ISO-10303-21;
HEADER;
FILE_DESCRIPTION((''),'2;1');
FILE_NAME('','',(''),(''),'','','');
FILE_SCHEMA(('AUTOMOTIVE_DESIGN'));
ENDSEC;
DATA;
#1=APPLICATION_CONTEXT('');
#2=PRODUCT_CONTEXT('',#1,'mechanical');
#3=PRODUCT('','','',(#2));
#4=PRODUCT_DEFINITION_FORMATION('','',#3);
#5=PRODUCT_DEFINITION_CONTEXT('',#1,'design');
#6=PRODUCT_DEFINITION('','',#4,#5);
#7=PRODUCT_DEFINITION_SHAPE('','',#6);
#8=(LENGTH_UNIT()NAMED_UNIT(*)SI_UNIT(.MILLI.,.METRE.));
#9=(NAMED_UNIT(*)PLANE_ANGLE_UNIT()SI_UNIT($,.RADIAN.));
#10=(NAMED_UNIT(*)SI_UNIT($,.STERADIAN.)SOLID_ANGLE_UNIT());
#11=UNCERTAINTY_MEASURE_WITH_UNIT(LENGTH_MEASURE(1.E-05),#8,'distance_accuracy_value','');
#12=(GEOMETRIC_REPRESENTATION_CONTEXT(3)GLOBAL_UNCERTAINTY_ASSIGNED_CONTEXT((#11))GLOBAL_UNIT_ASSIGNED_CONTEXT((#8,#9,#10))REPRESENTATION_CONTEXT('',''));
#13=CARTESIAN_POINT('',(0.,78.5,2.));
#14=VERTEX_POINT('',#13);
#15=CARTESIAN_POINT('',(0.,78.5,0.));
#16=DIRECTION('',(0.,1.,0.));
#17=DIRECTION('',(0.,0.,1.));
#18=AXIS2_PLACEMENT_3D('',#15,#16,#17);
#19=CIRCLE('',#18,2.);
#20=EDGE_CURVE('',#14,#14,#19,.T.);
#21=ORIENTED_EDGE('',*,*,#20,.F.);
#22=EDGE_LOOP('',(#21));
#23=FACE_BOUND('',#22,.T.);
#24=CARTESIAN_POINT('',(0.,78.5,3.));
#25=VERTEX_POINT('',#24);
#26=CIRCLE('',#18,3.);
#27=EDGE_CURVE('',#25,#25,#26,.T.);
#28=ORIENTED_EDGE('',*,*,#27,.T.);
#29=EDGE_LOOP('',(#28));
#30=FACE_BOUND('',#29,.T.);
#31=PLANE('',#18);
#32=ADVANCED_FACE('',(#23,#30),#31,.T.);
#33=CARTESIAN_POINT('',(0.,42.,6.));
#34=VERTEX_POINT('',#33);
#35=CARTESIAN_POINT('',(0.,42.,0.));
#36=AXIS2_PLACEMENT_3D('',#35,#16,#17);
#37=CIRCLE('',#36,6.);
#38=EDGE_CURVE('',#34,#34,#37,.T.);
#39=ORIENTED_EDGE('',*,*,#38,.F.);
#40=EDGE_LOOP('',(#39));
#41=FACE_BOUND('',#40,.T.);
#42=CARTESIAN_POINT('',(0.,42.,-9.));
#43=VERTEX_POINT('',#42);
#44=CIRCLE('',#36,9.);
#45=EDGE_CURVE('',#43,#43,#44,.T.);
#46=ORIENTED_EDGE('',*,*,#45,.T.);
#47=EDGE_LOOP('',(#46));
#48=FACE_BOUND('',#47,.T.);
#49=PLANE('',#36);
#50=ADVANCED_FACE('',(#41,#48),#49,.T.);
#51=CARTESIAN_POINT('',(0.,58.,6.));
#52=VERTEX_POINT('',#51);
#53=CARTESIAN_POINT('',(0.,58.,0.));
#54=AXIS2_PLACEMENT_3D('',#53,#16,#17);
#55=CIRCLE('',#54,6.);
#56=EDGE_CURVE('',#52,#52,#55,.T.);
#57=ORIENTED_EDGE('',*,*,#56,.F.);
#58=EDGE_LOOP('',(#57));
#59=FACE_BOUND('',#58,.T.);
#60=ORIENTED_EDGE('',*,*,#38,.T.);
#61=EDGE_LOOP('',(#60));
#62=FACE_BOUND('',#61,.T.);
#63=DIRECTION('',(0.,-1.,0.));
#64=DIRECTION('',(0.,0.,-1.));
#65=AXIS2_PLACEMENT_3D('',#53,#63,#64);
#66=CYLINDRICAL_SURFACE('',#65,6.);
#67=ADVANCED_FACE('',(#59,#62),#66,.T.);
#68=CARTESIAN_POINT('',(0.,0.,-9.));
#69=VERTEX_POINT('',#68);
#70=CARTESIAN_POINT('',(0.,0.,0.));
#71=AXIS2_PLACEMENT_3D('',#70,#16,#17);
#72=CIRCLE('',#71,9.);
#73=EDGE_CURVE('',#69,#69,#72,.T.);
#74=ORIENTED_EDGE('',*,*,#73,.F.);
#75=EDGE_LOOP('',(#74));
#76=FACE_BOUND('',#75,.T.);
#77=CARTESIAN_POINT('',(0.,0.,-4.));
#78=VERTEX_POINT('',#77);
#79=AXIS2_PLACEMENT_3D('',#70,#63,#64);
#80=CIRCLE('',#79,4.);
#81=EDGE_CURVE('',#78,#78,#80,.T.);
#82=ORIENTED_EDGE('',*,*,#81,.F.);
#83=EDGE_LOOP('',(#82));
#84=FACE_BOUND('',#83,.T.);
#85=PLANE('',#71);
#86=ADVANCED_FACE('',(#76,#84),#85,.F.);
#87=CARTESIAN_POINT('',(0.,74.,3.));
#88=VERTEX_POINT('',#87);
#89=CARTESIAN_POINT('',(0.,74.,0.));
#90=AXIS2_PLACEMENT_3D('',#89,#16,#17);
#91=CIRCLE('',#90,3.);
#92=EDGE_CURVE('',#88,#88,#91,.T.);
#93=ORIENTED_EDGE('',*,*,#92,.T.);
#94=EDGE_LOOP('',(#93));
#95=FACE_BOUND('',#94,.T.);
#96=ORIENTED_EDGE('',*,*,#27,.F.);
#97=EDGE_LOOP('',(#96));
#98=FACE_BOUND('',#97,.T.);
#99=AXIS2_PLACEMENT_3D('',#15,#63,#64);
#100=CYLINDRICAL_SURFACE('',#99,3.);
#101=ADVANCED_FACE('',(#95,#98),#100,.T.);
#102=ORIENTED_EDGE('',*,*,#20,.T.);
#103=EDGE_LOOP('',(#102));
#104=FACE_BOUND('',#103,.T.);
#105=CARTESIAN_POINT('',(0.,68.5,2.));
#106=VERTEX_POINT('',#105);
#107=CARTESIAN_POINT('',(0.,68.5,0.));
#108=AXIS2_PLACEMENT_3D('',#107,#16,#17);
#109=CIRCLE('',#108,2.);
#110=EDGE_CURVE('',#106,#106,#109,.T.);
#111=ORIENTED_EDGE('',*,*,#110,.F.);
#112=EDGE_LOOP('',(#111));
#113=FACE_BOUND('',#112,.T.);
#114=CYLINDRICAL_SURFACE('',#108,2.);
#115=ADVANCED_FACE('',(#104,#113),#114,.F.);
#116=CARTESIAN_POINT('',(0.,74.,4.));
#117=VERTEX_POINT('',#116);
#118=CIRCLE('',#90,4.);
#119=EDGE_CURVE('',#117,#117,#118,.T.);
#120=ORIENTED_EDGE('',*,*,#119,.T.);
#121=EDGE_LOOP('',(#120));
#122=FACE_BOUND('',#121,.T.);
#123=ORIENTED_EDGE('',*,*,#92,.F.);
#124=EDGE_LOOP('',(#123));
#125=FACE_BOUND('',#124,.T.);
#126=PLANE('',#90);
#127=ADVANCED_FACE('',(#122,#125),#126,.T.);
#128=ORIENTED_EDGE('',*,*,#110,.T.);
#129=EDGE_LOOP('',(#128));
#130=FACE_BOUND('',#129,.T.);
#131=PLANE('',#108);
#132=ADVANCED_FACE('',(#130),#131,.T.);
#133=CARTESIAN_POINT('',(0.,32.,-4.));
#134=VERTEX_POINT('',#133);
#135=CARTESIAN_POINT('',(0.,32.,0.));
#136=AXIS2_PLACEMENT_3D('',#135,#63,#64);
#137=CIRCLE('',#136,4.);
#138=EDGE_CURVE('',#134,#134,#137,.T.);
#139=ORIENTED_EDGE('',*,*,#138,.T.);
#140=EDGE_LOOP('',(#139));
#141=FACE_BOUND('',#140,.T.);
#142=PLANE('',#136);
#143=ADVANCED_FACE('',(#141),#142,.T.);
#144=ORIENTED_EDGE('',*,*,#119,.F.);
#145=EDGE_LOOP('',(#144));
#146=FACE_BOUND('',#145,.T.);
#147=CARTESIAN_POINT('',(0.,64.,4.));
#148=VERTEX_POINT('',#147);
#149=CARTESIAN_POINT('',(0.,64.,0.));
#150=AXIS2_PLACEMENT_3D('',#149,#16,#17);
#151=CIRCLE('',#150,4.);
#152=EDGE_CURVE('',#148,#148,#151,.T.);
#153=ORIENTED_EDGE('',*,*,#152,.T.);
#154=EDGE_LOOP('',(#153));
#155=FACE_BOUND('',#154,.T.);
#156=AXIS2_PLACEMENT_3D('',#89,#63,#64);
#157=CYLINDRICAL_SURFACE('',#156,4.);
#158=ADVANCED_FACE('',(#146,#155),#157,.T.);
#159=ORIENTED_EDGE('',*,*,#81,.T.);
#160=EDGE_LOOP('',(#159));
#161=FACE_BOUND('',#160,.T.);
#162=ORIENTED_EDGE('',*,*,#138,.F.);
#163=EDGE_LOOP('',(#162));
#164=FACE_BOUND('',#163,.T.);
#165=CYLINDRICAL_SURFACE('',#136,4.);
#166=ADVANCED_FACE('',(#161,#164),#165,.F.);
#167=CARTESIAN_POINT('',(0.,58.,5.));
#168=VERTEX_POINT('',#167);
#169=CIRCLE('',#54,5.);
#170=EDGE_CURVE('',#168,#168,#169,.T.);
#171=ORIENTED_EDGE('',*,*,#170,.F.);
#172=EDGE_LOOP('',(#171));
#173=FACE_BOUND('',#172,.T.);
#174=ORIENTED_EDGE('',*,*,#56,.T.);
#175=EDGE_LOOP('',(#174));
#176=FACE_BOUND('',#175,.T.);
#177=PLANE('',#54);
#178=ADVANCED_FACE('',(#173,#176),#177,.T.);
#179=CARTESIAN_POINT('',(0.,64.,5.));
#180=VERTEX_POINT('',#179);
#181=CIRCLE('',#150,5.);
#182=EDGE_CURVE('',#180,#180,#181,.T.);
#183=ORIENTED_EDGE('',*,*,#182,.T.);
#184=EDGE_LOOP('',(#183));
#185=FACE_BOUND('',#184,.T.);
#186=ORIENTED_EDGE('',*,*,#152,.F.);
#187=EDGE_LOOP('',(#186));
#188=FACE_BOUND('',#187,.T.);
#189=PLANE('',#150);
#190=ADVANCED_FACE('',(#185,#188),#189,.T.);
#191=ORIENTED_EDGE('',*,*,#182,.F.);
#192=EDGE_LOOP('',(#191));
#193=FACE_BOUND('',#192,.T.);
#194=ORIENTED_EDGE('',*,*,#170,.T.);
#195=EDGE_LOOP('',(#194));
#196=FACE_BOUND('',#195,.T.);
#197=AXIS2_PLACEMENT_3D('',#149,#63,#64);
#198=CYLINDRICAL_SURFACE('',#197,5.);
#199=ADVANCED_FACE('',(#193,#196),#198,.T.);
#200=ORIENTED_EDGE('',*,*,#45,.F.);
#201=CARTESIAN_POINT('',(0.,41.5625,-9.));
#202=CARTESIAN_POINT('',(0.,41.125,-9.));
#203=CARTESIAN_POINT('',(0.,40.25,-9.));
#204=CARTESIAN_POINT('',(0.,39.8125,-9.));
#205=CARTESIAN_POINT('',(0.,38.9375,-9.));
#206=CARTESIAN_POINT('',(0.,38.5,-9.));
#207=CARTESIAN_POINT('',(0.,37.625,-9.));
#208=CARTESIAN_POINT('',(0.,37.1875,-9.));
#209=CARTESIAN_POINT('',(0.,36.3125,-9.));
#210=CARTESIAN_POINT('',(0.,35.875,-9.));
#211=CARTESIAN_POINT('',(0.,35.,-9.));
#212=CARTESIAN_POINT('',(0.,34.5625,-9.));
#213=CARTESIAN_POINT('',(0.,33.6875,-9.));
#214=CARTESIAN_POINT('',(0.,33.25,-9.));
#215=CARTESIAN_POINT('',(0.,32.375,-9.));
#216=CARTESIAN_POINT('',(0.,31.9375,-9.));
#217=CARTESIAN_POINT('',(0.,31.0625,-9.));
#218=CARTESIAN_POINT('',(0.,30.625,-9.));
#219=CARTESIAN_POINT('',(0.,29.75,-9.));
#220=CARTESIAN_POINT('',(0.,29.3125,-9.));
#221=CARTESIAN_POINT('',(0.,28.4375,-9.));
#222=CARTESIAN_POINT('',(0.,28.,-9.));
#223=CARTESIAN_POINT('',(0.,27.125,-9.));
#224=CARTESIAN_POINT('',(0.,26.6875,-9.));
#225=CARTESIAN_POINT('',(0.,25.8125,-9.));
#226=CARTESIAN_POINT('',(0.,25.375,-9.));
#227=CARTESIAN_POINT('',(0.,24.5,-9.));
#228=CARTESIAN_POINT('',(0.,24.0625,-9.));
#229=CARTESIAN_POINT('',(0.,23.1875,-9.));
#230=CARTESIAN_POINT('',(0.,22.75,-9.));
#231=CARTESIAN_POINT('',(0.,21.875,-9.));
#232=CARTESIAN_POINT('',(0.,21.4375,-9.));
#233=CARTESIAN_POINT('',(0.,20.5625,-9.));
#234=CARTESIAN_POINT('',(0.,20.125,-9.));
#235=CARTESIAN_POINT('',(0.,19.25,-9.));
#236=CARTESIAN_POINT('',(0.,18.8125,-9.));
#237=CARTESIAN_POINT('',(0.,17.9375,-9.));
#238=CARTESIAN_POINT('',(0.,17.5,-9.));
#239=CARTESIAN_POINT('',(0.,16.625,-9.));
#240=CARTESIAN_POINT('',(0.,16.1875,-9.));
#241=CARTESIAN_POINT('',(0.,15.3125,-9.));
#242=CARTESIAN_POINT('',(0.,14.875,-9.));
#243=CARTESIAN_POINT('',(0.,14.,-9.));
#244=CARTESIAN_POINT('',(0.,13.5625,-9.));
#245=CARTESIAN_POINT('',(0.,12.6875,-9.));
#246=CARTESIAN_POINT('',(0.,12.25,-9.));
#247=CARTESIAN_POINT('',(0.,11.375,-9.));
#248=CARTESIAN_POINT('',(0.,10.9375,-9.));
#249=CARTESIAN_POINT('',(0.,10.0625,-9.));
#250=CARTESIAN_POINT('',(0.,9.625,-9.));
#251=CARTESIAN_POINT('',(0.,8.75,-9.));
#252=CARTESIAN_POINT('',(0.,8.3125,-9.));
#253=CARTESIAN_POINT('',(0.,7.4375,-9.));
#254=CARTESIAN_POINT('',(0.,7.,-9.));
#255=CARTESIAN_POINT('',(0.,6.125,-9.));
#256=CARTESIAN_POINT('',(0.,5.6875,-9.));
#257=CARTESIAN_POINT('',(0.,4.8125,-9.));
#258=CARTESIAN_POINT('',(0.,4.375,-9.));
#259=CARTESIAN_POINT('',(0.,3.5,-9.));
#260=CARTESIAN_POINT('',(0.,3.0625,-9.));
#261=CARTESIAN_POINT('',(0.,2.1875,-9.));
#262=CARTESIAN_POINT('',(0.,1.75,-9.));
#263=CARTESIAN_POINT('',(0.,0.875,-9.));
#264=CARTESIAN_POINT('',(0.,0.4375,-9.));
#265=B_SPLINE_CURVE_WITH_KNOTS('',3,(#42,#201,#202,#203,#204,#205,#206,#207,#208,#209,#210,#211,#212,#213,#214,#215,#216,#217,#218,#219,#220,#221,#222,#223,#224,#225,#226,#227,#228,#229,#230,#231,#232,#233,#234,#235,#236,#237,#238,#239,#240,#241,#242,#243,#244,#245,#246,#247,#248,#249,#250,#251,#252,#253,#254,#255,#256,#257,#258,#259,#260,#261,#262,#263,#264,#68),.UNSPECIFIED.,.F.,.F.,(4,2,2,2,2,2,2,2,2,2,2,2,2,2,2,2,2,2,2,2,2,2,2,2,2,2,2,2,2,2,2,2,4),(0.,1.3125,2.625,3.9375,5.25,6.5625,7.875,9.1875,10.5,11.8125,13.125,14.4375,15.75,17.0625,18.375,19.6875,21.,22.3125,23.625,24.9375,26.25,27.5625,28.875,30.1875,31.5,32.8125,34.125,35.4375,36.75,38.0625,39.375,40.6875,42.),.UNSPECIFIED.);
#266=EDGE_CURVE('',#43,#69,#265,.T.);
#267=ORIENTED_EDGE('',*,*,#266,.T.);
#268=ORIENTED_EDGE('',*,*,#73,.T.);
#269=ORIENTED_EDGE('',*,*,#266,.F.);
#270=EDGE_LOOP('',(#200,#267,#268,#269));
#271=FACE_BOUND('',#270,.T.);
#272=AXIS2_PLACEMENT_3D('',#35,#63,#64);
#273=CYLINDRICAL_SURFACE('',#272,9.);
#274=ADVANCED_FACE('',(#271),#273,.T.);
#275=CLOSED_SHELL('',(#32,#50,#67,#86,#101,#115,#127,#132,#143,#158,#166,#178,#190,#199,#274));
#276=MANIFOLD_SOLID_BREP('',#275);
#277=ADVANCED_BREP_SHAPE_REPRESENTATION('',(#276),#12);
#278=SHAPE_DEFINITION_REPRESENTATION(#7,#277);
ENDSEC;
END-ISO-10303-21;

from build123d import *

# Parameters (mm, degrees)
SKETCH1_R                 = 9
BASE_SECTION_DEPTH        = 42
SKETCH2_R                 = 6
SECOND_SECTION_DEPTH      = 16
SKETCH3_R                 = 5
BEARING_SECTION_DEPTH     = 6
SKETCH4_R                 = 4
SEAL_SECTION_DEPTH        = 10
SKETCH5_R                 = 3
IMPELLER_SECTION_DEPTH    = 4.5
SKETCH6_R                 = 2
IMPELLER_SCREW_HOLE_DEPTH = 10
SKETCH7_R                 = 4
MOTOR_SHAFT_HOLE_DEPTH    = 32


with BuildPart() as part:
    # Sketch1 → base section (new body)
    with BuildSketch(Plane(origin=(0, 0, 0), x_dir=(1, 0, 0), z_dir=(0, 1, 0))):
        with Locations(Location((0, 0, 0), (0, 0, 90))):
            Circle(SKETCH1_R)
    extrude(amount=BASE_SECTION_DEPTH)

    # Sketch2 → second section (add)
    with BuildSketch(Plane(origin=(0, 42, 0), x_dir=(1, 0, 0), z_dir=(0, 1, 0))):
        with Locations(Location((0, 0, 0), (0, 0, 270))):
            Circle(SKETCH2_R)
    extrude(amount=SECOND_SECTION_DEPTH)

    # Sketch3 → bearing section (add)
    with BuildSketch(Plane(origin=(0, 58, 0), x_dir=(1, 0, 0), z_dir=(0, 1, 0))):
        with Locations(Location((0, 0, 0), (0, 0, 270))):
            Circle(SKETCH3_R)
    extrude(amount=BEARING_SECTION_DEPTH)

    # Sketch4 → seal section (add)
    with BuildSketch(Plane(origin=(0, 64, 0), x_dir=(1, 0, 0), z_dir=(0, 1, 0))):
        with Locations(Location((0, 0, 0), (0, 0, 270))):
            Circle(SKETCH4_R)
    extrude(amount=SEAL_SECTION_DEPTH)

    # Sketch5 → impeller section (add)
    with BuildSketch(Plane(origin=(0, 74, 0), x_dir=(1, 0, 0), z_dir=(0, 1, 0))):
        with Locations(Location((0, 0, 0), (0, 0, 270))):
            Circle(SKETCH5_R)
    extrude(amount=IMPELLER_SECTION_DEPTH)

    # Sketch6 → impeller screw hole (cut)
    with BuildSketch(Plane(origin=(0, 78.5, 0), x_dir=(1, 0, 0), z_dir=(0, 1, 0))):
        with Locations(Location((0, 0, 0), (0, 0, 270))):
            Circle(SKETCH6_R)
    extrude(amount=-IMPELLER_SCREW_HOLE_DEPTH, mode=Mode.SUBTRACT)

    # Sketch7 → motor shaft hole (cut)
    with BuildSketch(Plane(origin=(0, 0, 0), x_dir=(-1, 0, 0), z_dir=(0, -1, 0))):
        with Locations(Location((0, 0, 0), (0, 0, 270))):
            Circle(SKETCH7_R)
    extrude(amount=-MOTOR_SHAFT_HOLE_DEPTH, mode=Mode.SUBTRACT)


solid = part.part
